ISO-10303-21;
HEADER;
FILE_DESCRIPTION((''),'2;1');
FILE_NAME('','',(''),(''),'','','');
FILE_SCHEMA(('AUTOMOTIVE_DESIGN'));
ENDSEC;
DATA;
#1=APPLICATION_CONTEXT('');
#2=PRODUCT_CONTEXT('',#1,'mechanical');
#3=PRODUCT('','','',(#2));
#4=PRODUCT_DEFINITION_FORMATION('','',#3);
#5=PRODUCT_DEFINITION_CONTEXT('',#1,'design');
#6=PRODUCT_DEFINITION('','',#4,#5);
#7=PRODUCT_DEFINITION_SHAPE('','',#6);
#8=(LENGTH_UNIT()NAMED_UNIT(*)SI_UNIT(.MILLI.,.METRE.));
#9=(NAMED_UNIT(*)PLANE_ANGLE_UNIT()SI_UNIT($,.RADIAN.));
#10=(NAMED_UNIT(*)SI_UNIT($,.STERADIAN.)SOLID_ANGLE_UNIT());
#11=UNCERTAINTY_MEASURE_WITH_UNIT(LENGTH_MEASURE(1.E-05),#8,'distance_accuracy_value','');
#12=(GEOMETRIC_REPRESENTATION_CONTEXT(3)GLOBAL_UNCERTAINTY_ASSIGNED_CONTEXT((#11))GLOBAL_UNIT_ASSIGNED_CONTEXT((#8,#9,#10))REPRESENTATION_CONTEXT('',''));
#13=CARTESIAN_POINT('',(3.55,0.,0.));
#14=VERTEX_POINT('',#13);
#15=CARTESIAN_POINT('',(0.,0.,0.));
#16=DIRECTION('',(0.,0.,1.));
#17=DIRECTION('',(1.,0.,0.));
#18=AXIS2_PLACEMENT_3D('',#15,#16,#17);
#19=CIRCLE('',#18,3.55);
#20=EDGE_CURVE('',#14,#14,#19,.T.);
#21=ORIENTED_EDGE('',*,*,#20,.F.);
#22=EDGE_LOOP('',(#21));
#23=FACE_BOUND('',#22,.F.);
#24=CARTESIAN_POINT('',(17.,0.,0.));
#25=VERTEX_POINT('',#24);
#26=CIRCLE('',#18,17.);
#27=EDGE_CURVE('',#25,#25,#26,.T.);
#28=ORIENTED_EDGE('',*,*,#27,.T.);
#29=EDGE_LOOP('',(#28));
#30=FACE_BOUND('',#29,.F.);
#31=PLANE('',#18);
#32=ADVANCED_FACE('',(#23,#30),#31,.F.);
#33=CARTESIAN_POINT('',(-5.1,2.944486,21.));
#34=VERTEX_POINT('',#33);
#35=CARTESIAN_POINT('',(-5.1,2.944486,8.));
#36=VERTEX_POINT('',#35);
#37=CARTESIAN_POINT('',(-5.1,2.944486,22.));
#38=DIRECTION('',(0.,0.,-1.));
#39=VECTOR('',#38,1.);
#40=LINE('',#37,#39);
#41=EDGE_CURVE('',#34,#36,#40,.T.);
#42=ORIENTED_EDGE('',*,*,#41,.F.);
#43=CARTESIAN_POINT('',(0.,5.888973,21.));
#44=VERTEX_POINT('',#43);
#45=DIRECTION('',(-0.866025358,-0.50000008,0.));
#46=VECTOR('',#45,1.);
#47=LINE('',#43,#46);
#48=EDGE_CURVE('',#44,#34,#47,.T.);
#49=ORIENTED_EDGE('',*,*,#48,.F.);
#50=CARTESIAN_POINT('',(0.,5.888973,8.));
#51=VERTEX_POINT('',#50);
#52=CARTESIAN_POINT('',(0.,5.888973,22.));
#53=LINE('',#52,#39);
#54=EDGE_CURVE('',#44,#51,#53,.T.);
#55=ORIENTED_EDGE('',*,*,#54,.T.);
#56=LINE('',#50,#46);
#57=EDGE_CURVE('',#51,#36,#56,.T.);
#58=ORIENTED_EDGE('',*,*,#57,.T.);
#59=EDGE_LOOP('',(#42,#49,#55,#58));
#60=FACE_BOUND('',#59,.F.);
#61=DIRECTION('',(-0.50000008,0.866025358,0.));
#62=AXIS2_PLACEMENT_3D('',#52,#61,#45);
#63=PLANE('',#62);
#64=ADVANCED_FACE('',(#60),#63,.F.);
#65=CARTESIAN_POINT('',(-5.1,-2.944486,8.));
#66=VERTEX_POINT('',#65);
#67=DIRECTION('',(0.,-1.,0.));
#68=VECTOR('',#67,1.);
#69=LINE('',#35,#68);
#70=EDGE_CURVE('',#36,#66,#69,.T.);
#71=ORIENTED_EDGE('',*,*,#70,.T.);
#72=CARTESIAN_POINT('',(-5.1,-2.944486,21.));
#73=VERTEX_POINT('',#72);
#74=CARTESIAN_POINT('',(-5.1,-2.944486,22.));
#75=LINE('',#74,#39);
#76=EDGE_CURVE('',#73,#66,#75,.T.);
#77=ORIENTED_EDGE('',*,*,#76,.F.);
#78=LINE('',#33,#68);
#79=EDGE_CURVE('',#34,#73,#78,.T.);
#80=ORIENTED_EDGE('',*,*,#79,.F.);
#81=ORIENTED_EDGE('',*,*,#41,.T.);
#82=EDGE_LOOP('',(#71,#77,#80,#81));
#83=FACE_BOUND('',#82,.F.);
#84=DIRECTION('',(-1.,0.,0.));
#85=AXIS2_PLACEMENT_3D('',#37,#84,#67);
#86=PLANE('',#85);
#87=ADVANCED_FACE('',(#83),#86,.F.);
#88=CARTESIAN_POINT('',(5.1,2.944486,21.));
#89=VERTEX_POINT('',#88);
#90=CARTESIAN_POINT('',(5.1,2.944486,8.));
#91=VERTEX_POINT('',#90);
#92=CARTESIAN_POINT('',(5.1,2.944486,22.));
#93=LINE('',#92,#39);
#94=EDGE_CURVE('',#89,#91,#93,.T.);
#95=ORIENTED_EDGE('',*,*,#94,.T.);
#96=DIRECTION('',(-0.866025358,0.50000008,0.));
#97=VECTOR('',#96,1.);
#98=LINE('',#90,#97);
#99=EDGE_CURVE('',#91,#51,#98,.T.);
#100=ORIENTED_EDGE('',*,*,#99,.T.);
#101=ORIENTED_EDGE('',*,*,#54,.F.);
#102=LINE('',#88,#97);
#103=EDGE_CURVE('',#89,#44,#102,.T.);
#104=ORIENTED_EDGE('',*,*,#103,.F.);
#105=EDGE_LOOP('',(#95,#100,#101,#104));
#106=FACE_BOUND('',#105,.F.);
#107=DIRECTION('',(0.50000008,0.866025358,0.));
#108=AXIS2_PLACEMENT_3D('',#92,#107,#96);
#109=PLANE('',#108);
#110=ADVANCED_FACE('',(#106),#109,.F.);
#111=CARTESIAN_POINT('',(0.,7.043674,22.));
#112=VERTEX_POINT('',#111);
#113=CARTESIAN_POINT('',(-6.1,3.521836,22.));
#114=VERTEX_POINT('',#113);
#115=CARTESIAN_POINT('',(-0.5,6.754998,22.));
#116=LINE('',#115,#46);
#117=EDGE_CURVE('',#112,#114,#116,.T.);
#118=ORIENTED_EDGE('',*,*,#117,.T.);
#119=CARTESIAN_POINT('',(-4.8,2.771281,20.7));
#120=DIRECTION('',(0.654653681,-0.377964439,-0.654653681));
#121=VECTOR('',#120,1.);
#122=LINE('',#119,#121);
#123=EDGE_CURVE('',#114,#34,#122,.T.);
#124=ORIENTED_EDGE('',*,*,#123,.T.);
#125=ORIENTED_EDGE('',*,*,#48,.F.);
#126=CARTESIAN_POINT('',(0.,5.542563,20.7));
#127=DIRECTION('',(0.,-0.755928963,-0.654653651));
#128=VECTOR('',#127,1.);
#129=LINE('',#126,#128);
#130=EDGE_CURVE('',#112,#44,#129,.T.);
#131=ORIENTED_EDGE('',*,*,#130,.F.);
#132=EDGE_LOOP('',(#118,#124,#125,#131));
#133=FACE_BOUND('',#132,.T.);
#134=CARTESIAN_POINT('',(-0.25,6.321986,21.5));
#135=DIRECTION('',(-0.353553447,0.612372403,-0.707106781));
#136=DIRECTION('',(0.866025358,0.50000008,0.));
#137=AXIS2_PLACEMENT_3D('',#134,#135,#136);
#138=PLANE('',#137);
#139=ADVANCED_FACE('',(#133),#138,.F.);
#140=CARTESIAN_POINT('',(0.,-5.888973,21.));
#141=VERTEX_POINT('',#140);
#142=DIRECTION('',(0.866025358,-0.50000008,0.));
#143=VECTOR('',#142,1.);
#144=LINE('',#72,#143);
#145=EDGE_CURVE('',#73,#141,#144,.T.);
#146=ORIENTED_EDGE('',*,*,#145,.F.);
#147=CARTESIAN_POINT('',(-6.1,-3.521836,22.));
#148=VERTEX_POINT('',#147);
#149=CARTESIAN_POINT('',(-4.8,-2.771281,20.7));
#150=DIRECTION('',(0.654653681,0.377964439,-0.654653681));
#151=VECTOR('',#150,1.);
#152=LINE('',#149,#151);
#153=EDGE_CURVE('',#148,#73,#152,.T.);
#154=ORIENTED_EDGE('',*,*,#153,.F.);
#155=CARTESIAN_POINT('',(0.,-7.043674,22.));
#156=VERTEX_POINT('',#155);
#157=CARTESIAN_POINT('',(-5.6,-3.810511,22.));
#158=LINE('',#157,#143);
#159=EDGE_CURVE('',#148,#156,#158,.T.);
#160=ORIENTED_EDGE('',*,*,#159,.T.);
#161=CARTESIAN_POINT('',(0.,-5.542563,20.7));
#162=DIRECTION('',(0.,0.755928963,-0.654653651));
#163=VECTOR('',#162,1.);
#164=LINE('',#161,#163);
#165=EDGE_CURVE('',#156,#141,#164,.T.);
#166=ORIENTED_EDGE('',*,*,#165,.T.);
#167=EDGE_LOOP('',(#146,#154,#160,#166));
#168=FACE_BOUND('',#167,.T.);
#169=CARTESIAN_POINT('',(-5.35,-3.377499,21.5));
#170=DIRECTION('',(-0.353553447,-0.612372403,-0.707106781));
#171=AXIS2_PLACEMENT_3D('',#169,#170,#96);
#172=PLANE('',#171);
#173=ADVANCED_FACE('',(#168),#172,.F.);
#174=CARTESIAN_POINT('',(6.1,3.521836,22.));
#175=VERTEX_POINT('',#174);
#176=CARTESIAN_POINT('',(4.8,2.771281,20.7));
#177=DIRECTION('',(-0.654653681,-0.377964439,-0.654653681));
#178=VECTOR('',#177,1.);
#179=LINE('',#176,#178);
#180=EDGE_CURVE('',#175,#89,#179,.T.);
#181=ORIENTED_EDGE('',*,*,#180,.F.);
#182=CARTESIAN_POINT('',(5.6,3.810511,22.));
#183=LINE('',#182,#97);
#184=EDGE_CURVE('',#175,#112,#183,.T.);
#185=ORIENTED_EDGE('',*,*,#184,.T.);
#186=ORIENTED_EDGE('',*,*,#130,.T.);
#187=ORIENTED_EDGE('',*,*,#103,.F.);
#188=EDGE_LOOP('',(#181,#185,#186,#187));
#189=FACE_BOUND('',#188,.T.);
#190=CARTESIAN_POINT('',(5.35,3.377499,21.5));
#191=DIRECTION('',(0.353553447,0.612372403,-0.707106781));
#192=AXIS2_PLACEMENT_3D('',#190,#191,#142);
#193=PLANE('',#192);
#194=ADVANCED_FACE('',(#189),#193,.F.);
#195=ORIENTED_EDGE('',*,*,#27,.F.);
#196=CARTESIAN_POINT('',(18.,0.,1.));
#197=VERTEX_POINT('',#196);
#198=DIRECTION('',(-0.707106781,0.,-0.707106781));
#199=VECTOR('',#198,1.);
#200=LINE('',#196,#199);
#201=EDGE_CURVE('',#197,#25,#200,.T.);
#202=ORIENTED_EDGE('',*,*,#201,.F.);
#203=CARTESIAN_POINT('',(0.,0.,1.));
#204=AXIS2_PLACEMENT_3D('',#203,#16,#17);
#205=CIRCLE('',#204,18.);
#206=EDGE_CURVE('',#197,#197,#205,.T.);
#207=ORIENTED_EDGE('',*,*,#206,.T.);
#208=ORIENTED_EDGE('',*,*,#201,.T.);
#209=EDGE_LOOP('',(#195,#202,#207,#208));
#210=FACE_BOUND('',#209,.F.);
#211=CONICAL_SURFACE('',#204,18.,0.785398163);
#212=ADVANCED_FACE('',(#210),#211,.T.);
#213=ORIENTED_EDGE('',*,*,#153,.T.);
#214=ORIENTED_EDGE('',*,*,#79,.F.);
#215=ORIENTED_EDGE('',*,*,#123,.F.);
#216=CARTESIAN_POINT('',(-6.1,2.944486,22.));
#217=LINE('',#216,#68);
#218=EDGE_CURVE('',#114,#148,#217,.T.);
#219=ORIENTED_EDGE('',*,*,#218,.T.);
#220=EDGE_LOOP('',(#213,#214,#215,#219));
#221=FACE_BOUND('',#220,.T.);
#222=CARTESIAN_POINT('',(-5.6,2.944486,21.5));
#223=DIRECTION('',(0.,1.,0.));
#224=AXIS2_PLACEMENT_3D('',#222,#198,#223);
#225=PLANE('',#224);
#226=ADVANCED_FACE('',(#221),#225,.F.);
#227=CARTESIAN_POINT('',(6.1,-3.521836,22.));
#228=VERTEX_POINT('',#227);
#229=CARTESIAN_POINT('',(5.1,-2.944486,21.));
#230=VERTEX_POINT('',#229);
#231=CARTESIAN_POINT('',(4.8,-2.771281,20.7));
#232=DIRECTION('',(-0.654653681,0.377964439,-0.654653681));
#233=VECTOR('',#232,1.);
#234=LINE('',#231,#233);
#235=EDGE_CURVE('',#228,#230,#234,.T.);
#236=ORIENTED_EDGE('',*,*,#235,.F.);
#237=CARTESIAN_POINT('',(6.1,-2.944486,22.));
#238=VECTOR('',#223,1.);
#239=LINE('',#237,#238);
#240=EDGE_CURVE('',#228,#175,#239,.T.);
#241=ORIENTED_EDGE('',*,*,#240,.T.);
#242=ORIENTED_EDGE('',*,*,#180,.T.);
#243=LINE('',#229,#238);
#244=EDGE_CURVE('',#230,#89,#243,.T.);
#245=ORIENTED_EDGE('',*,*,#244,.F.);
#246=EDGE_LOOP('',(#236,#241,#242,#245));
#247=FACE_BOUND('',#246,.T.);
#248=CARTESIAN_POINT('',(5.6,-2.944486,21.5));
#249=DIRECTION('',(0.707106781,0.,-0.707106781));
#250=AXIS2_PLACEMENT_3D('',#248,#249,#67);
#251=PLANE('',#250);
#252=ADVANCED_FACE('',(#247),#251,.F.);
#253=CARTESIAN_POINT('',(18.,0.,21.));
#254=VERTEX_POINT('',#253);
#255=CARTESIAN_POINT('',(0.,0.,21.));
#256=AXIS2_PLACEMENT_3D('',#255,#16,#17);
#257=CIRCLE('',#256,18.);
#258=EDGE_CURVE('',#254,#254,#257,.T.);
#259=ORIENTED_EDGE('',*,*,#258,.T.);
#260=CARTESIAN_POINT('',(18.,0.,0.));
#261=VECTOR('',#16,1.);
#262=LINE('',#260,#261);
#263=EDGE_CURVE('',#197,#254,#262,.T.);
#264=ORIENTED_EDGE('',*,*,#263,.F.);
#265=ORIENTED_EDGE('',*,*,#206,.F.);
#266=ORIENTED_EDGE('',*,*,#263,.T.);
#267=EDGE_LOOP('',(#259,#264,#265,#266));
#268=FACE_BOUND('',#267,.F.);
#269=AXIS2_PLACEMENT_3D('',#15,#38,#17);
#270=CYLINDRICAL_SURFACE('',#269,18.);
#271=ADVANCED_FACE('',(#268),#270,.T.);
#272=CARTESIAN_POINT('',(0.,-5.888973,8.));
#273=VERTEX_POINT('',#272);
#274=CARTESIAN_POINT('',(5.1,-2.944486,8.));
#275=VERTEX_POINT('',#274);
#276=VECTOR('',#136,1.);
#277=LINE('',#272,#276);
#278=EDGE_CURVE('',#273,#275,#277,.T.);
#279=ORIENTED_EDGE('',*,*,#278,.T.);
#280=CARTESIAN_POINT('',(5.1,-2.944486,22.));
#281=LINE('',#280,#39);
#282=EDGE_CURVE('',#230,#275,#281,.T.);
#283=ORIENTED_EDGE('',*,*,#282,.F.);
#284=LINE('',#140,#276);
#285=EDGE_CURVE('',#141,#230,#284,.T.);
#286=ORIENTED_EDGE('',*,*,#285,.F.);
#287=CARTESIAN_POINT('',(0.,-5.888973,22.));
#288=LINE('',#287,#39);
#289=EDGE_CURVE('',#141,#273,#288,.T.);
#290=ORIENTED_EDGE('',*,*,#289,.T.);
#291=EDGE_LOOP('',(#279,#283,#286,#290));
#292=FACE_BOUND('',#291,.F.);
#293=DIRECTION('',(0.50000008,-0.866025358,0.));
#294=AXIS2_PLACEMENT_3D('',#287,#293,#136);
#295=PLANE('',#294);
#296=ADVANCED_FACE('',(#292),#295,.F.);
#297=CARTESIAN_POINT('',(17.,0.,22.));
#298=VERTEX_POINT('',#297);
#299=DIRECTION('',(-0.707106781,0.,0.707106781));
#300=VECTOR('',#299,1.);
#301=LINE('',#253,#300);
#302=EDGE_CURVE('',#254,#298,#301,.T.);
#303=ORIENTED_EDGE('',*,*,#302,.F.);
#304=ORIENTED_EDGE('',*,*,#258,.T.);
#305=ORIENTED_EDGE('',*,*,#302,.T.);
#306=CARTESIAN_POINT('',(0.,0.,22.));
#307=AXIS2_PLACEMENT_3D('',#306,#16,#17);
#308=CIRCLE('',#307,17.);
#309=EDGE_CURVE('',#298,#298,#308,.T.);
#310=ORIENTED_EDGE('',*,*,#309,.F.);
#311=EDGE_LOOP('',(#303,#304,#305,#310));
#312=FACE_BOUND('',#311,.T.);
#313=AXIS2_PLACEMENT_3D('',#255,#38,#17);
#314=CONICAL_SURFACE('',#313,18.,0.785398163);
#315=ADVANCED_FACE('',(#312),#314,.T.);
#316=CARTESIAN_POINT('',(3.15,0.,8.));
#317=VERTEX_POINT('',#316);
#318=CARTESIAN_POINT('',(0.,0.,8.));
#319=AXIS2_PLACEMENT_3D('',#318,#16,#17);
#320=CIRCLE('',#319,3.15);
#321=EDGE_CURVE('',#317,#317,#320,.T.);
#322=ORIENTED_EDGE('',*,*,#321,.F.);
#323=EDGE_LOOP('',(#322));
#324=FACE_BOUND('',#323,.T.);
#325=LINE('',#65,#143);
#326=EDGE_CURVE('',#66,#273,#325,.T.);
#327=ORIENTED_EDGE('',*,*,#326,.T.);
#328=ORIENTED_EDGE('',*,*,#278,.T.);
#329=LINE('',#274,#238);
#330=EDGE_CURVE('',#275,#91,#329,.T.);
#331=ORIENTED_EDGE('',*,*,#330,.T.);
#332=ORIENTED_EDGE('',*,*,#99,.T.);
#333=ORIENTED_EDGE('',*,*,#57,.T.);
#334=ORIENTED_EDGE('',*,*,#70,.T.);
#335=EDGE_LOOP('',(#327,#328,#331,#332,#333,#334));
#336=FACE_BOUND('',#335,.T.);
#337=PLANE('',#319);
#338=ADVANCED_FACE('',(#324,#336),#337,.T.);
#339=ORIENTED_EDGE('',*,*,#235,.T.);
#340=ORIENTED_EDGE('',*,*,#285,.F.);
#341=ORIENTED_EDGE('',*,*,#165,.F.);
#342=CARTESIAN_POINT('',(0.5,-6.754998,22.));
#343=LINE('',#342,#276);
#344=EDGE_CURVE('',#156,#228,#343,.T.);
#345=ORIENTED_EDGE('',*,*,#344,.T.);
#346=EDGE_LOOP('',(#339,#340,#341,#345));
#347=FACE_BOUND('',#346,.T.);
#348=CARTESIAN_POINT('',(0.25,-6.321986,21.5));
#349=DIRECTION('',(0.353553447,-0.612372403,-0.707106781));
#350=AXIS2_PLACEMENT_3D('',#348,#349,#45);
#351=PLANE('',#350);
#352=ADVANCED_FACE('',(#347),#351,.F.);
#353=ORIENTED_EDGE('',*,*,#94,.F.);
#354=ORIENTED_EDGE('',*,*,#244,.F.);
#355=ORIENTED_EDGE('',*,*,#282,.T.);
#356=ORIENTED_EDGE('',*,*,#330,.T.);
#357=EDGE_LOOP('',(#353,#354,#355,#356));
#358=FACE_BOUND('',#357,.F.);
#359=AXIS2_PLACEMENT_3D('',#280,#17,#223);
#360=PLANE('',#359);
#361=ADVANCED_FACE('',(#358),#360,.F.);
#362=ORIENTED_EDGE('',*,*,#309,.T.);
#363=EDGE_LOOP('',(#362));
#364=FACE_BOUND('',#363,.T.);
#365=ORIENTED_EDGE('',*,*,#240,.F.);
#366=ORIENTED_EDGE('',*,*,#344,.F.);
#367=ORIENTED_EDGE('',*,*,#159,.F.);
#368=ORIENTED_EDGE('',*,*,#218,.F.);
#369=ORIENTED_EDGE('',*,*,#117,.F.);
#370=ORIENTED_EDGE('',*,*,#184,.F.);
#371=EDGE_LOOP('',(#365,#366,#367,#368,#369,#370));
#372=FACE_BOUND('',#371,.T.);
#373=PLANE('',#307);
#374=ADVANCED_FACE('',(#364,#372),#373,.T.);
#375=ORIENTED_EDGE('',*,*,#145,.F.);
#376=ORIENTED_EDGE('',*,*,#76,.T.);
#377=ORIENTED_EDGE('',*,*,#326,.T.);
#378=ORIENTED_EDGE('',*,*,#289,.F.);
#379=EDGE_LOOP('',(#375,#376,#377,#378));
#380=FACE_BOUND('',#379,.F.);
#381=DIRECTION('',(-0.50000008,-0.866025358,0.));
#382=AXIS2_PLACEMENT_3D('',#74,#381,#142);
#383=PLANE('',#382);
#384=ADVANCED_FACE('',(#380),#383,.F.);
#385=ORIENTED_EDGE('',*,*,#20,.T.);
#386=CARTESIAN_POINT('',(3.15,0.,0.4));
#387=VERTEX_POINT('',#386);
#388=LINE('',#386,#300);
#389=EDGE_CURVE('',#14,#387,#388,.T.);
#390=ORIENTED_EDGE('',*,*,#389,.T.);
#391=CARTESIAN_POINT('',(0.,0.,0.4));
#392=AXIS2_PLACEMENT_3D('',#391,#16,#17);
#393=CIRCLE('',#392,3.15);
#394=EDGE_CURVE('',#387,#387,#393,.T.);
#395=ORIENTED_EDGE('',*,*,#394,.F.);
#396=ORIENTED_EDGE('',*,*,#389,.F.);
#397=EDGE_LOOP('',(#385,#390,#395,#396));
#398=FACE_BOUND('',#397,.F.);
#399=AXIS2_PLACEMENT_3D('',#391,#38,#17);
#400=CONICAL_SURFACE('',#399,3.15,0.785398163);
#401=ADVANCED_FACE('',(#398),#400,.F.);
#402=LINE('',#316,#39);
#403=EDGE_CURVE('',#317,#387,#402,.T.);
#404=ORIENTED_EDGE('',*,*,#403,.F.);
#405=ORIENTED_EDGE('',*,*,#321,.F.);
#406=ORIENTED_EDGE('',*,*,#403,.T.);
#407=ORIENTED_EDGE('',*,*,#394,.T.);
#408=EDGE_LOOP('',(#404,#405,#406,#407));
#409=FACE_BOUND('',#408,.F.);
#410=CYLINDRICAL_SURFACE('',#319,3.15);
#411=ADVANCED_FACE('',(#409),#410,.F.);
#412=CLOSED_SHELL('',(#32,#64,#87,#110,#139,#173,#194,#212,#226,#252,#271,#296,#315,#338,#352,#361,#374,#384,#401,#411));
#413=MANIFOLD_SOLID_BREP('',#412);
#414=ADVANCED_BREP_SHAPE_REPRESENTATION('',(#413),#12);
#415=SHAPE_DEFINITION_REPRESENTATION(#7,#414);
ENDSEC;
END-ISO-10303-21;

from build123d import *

# Parameters (mm, degrees)
SKETCH_R        = 18
PAD_DEPTH       = 22
POCKET_DEPTH    = 14
SKETCH002_R     = 3.15
POCKET001_DEPTH = 8.001
CHAMFER_SIZE    = 1
CHAMFER001_SIZE = 0.4


with BuildPart() as part:
    # Sketch → Pad (new body)
    with BuildSketch(Plane.XY):
        Circle(SKETCH_R)
    extrude(amount=PAD_DEPTH)

    # Sketch001 (on Face3 of Pad) → Pocket (cut)
    with BuildSketch(Plane.XY.offset(22)):
        Polygon((0, 5.888973), (-5.1, 2.944486), (-5.1, -2.944486), (0, -5.888973), (5.1, -2.944486), (5.1, 2.944486), align=None)
    extrude(amount=-POCKET_DEPTH, mode=Mode.SUBTRACT)

    # Sketch002 (on Face10 of Pocket) → Pocket001 (cut, through all)
    with BuildSketch(Plane.XY.offset(8)):
        Circle(SKETCH002_R)
    extrude(amount=-POCKET001_DEPTH, mode=Mode.SUBTRACT)

    # Chamfer
    chamfer_edges = [part.edges().sort_by_distance(p)[0] for p in [
        (-18, 0, 0),
        (-18, 0, 22),
        (-2.55, 4.41673, 22),
        (-5.1, 0, 22),
        (-2.55, -4.41673, 22),
        (2.55, -4.41673, 22),
        (5.1, 0, 22),
        (2.55, 4.41673, 22),
    ]]
    chamfer(chamfer_edges, length=CHAMFER_SIZE)

    # Chamfer001
    chamfer001_edges = [part.edges().sort_by_distance(p)[0] for p in [
        (-3.15, 0, 0),
    ]]
    chamfer(chamfer001_edges, length=CHAMFER001_SIZE)


solid = part.part
